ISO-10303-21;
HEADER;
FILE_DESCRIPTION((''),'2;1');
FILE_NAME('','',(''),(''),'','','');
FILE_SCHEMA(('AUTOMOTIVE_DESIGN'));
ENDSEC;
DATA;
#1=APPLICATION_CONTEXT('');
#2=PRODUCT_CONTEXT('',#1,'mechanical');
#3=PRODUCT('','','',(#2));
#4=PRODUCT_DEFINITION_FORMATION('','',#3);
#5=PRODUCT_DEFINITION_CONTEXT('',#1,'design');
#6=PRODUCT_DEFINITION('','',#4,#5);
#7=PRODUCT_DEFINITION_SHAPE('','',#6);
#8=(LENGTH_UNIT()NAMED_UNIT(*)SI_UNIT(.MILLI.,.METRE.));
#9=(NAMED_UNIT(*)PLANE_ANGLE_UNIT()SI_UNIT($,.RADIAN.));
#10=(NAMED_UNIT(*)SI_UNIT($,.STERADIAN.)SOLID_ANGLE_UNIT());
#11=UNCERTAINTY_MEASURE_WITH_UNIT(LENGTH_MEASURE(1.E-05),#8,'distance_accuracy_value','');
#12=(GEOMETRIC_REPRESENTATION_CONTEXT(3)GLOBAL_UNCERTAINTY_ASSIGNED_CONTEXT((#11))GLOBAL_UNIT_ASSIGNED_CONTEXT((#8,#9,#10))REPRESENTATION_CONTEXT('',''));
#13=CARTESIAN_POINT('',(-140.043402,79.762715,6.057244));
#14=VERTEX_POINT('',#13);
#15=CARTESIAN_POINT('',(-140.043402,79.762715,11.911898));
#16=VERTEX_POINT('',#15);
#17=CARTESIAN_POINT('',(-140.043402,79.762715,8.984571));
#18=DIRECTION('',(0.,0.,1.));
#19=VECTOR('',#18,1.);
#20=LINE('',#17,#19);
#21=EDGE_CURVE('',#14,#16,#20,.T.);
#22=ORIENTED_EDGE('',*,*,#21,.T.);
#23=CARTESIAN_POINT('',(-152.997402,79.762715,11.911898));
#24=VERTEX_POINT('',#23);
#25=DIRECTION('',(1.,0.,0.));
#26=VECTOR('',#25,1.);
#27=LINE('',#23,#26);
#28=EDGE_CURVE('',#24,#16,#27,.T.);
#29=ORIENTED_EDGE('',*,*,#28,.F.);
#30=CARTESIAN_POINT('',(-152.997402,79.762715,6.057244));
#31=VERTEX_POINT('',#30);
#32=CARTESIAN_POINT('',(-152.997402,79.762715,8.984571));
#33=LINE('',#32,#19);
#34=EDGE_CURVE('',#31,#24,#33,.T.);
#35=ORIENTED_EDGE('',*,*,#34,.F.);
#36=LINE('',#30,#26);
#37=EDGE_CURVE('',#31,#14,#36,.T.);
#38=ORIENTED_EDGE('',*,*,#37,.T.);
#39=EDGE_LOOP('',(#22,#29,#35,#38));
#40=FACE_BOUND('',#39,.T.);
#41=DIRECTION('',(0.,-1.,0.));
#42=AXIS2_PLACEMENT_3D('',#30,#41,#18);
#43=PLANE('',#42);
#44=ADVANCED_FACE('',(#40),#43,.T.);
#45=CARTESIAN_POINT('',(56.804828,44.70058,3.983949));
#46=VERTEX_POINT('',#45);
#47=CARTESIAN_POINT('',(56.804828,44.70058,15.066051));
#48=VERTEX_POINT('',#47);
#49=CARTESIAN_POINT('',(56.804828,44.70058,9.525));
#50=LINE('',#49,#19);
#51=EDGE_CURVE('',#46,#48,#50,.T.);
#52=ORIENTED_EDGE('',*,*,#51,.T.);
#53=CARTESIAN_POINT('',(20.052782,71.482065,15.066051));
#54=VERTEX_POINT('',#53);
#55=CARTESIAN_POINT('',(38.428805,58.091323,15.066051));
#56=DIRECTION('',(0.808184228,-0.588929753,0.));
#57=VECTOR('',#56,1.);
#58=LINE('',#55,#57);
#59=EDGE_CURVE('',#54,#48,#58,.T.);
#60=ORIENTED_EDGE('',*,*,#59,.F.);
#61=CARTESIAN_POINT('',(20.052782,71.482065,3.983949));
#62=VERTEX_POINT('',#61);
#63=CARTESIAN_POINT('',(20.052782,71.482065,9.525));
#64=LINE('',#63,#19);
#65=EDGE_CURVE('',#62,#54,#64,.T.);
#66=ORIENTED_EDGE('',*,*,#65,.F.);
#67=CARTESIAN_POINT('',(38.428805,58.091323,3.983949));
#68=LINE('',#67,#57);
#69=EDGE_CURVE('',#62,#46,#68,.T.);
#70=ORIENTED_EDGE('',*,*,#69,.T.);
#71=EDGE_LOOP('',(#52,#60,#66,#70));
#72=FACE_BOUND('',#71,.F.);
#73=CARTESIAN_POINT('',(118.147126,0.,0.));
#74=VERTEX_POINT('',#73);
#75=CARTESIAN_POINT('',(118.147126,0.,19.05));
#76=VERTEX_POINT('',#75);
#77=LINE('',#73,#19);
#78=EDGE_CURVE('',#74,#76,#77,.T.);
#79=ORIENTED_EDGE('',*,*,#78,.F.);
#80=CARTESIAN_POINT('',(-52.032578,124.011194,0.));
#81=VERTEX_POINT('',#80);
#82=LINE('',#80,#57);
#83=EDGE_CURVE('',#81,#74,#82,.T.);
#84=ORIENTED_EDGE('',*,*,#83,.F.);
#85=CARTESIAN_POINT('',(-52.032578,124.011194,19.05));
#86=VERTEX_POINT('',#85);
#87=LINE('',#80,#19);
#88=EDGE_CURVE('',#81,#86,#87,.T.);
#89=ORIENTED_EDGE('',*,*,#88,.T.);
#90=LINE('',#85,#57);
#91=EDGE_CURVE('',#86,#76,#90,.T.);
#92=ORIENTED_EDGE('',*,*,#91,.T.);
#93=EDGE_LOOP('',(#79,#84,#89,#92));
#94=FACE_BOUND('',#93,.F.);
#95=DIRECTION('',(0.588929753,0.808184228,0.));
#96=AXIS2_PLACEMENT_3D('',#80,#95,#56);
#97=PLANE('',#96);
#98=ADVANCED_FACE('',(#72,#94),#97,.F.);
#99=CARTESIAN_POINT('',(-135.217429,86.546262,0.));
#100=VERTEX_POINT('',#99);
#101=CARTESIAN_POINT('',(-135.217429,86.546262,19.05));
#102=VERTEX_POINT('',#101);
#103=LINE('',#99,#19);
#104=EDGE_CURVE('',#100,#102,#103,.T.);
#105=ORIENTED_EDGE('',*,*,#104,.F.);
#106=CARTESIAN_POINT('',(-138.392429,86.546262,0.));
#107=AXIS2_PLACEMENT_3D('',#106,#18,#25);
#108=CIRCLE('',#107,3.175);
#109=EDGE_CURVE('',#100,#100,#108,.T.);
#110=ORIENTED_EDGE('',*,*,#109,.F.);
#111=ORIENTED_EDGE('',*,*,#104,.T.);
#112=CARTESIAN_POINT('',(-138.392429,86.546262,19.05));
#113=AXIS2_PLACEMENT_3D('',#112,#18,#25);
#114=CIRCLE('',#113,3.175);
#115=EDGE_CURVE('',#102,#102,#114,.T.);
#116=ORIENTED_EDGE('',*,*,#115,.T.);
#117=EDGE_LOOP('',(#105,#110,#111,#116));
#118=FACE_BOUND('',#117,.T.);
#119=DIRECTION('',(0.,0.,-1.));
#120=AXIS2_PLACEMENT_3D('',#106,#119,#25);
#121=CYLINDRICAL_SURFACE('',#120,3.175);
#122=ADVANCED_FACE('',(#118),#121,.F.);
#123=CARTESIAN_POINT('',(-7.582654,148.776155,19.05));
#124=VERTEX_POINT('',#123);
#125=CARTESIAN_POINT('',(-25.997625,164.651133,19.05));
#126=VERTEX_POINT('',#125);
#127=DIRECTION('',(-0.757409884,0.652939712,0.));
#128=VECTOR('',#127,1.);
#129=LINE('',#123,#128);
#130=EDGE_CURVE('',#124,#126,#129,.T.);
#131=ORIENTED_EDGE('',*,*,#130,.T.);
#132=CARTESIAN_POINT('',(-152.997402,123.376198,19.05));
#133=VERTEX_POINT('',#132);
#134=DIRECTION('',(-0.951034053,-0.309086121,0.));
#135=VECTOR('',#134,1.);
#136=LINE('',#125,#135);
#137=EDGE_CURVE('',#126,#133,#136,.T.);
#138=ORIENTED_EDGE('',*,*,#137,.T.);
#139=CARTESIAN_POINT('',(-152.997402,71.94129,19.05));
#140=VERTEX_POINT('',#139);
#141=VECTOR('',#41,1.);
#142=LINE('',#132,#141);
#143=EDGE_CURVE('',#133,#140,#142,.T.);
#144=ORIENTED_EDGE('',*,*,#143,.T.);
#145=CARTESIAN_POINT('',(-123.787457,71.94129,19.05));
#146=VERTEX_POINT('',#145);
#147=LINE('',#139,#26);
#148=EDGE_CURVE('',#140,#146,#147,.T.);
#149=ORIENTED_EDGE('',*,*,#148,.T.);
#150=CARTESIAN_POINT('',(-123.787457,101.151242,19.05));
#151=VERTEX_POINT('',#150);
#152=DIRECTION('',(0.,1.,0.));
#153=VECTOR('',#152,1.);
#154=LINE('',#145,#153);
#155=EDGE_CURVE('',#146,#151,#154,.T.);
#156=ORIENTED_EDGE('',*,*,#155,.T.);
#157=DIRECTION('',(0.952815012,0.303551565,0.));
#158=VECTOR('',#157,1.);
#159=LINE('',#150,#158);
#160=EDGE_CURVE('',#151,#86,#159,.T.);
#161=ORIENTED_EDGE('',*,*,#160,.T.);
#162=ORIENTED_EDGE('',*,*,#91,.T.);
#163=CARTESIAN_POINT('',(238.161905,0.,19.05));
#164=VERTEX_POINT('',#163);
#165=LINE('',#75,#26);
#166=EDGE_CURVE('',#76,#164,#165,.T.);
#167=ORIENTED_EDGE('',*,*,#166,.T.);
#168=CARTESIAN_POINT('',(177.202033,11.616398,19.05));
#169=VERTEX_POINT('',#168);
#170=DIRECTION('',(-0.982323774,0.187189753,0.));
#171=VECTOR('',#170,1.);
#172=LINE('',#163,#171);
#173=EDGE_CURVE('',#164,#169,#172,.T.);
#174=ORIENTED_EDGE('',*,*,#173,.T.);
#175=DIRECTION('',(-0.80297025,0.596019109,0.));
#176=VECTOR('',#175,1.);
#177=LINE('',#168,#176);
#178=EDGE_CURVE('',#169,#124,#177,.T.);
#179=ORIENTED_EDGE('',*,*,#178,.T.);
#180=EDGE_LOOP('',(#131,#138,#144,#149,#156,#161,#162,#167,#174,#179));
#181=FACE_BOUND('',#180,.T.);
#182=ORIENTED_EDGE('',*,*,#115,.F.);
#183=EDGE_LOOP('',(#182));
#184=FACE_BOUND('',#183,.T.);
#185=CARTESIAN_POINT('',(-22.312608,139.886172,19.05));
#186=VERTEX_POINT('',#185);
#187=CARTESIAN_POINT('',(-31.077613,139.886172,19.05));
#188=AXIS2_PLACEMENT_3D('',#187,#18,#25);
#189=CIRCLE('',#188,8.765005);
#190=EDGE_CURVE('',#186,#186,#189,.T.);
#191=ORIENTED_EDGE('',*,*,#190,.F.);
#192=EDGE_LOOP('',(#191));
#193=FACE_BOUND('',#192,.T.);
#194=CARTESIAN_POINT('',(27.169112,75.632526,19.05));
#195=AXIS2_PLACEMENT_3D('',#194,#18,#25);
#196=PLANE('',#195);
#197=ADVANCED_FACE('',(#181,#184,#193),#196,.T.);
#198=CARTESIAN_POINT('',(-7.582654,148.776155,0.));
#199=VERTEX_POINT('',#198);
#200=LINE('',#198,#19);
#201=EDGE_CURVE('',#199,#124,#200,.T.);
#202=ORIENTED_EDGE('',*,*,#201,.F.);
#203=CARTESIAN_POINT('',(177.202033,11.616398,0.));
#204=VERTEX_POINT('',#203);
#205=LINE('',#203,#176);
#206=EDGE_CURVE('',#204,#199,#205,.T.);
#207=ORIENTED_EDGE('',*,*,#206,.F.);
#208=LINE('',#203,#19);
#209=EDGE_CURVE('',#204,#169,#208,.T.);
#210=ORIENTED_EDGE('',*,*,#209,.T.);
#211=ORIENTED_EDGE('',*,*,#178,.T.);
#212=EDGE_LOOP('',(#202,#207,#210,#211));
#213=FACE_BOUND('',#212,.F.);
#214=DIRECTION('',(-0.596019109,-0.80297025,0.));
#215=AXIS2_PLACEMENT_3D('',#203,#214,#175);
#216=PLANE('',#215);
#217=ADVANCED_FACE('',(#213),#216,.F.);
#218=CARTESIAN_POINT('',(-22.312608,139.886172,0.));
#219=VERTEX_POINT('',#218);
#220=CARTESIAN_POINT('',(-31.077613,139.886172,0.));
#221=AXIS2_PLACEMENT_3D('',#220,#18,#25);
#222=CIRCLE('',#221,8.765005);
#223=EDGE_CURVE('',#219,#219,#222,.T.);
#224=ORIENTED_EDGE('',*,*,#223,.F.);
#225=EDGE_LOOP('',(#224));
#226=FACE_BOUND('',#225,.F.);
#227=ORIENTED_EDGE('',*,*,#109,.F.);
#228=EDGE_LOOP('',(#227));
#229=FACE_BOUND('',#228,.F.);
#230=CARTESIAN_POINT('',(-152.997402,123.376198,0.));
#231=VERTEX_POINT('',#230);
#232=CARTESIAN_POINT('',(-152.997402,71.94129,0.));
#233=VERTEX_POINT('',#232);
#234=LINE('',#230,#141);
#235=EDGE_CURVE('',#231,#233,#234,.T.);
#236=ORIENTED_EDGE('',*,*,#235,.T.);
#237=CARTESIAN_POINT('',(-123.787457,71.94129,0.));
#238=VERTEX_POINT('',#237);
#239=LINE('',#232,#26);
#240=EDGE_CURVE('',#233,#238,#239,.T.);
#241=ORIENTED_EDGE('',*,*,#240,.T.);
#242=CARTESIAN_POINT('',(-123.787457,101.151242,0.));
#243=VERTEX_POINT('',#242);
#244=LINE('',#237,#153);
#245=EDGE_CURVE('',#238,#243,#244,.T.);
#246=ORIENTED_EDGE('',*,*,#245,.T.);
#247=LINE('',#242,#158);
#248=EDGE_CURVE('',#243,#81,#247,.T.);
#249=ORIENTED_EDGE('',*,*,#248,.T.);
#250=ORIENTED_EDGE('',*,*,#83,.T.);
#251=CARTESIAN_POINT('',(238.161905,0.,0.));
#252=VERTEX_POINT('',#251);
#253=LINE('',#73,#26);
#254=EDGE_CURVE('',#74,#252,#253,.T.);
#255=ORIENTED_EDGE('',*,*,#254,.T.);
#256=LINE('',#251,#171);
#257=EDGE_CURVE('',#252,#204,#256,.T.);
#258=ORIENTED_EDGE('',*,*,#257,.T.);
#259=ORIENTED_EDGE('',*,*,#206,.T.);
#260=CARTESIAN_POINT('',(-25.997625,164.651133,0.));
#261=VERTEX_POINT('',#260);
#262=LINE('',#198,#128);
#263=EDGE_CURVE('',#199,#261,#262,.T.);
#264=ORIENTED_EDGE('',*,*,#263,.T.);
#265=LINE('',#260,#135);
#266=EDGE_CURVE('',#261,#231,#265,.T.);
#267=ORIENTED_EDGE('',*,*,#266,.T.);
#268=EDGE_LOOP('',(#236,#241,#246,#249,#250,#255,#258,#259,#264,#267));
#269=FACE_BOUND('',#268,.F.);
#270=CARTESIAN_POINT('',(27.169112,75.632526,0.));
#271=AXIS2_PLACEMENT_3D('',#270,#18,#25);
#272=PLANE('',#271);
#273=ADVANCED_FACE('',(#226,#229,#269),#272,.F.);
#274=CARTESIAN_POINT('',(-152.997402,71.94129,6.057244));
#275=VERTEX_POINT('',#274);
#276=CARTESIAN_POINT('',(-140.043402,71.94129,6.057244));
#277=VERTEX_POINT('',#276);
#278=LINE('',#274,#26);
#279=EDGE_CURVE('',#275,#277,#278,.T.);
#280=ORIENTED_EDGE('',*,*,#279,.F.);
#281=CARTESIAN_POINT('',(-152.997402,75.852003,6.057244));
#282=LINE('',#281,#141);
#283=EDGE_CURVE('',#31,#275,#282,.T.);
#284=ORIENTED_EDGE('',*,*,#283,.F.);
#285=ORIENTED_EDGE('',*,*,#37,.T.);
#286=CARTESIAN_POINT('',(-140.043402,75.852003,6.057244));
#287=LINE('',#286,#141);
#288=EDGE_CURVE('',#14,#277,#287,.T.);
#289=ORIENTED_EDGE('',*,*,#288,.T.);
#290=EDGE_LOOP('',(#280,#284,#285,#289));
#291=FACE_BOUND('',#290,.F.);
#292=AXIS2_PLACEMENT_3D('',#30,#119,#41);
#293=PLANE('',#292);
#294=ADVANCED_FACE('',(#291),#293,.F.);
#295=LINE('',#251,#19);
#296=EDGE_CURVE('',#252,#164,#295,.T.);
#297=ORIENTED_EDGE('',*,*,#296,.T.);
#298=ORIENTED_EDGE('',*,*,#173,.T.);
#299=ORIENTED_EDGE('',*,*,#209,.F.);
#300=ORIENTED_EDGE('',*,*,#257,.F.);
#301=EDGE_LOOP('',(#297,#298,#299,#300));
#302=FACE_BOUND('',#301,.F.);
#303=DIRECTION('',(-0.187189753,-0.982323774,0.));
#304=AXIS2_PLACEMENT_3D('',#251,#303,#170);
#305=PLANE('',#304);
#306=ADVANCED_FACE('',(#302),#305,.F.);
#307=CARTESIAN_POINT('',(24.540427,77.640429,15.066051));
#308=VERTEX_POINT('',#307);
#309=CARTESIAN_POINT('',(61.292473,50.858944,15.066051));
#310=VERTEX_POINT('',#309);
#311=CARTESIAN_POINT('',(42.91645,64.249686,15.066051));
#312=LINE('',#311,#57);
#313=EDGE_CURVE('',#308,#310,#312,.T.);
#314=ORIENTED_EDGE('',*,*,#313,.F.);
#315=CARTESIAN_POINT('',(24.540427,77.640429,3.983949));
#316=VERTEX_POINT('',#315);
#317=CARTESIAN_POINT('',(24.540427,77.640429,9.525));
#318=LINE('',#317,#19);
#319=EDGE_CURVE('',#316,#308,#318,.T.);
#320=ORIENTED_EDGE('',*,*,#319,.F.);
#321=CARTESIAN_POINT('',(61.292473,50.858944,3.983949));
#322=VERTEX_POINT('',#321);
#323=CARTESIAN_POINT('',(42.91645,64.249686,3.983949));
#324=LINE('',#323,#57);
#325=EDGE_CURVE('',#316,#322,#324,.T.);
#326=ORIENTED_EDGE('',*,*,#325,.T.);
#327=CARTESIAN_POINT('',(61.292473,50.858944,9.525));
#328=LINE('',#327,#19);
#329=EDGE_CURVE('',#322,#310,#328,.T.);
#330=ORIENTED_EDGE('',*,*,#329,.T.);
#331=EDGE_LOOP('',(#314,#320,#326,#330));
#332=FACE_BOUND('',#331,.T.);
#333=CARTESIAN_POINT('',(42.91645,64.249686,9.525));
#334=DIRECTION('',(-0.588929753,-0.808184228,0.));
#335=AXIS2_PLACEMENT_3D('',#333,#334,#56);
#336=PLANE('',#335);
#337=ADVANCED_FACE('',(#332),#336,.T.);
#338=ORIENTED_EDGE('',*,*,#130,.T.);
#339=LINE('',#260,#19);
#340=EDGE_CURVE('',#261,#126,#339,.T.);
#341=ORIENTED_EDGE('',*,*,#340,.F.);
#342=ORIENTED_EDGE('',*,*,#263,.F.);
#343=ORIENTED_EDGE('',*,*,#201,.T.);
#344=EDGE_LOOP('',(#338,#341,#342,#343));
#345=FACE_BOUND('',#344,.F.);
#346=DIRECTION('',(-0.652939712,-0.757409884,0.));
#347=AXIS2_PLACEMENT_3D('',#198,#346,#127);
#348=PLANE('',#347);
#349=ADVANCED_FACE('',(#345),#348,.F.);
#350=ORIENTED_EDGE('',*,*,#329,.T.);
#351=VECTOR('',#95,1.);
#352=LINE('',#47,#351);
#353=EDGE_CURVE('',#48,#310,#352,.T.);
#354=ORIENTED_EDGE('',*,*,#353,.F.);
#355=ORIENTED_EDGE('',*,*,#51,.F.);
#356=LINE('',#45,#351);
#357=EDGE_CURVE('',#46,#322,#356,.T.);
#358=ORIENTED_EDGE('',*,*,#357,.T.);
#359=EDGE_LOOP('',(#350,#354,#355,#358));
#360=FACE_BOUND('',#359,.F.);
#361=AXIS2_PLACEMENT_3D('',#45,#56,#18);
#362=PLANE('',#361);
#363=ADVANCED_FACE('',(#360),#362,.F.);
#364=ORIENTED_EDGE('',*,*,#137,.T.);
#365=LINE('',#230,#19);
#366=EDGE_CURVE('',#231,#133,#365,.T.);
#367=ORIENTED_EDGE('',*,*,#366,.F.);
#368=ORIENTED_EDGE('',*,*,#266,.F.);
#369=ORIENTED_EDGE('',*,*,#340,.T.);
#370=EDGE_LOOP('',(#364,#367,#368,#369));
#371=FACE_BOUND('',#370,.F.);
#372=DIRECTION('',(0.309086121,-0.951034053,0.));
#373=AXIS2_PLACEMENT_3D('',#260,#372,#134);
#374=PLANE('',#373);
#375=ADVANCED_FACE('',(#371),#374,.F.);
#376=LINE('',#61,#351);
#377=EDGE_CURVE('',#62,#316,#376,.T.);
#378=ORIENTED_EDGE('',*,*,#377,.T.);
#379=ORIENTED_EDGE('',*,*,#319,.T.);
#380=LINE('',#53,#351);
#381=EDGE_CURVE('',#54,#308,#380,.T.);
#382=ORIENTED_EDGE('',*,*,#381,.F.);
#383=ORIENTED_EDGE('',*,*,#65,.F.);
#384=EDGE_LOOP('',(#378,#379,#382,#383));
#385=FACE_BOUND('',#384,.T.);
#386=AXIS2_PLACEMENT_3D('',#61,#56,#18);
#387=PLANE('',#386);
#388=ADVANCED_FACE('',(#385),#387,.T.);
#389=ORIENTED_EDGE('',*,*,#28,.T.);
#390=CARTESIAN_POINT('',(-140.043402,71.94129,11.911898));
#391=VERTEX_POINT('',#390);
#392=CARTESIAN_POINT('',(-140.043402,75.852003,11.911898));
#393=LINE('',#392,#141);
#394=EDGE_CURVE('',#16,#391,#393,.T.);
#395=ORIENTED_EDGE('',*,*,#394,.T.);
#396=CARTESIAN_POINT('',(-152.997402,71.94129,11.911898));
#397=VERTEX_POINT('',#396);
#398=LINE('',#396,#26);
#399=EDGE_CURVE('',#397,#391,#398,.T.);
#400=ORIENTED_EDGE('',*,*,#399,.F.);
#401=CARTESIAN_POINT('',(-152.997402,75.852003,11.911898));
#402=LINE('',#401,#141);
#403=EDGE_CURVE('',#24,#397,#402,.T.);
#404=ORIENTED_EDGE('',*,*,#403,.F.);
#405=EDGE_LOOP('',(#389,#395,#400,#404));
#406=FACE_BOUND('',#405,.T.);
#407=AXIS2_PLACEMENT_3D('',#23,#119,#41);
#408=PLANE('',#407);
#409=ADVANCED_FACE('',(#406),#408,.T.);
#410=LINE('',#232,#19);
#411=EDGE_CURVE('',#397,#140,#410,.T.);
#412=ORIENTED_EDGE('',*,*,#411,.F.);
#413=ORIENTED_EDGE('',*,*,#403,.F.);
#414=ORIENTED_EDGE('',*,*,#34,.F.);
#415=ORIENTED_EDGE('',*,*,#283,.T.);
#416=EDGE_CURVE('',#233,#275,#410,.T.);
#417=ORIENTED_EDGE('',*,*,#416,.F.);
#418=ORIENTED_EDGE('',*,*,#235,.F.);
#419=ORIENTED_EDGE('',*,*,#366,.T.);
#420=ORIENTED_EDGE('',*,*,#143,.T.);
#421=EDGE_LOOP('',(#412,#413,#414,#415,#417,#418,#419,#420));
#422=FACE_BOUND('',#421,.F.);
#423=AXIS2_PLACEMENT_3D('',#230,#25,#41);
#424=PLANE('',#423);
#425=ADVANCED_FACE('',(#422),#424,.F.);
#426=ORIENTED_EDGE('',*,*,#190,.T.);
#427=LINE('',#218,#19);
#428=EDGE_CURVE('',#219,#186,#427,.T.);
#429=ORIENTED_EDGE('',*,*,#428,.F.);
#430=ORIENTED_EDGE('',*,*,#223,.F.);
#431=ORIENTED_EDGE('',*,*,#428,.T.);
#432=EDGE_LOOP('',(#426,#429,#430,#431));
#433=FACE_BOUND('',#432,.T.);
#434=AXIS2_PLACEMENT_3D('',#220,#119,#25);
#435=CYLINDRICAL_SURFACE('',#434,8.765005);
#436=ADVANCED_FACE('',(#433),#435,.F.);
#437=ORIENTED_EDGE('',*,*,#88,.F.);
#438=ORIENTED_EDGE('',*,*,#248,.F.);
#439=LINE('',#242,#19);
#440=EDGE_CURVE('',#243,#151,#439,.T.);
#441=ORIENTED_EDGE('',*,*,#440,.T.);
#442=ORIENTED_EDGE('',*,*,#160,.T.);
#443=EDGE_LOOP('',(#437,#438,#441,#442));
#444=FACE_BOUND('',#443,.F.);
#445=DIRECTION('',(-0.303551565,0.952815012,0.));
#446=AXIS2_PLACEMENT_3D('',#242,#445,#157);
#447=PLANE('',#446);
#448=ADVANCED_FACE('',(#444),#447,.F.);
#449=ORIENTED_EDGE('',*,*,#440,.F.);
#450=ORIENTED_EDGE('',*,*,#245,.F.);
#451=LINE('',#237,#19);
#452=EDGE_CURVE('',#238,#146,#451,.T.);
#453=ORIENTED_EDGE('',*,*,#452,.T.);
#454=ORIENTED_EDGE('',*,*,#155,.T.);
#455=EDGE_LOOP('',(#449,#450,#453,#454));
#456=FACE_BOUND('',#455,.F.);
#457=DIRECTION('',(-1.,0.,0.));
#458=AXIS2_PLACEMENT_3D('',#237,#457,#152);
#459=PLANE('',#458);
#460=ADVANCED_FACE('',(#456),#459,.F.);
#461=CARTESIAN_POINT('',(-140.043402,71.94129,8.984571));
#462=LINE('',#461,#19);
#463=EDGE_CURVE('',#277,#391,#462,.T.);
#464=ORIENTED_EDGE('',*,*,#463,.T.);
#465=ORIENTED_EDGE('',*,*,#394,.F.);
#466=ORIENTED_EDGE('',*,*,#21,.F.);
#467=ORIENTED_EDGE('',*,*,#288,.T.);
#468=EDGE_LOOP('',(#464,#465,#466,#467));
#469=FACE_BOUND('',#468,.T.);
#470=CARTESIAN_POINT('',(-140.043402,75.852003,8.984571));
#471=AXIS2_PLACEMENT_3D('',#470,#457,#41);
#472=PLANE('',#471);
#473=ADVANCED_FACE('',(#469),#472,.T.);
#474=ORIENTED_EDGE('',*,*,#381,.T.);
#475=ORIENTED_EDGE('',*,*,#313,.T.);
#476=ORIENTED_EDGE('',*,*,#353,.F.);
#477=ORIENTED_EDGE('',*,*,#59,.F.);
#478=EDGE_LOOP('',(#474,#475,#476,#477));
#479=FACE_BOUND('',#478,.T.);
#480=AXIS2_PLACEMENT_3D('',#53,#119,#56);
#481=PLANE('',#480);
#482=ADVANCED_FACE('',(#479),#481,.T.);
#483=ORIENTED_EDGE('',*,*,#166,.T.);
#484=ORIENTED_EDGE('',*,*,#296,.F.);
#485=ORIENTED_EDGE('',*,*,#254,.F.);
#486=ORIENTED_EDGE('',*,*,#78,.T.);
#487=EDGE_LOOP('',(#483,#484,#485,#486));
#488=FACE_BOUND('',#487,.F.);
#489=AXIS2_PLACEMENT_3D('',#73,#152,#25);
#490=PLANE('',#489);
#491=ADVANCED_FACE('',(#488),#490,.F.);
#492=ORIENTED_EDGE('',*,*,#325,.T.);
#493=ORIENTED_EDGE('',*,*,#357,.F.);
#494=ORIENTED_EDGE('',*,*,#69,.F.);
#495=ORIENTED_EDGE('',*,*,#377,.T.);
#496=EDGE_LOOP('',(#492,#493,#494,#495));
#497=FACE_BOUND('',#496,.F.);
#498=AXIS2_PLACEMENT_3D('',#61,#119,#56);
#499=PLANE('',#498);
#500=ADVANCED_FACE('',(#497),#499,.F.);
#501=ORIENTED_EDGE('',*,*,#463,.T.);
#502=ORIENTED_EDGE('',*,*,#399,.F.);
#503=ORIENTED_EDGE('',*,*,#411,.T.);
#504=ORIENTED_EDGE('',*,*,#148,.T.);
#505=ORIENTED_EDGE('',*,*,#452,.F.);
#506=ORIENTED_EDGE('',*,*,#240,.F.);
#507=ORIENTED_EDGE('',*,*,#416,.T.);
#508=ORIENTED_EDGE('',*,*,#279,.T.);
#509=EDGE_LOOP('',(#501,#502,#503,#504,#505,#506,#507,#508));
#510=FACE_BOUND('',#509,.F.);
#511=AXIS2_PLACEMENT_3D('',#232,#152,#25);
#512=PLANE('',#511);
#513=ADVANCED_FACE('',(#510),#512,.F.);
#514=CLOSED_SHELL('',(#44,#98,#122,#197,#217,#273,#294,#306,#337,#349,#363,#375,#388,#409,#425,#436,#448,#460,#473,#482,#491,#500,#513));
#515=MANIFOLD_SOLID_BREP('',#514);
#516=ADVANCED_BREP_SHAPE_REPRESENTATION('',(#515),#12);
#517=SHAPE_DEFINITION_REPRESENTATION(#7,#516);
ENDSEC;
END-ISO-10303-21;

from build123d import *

# Parameters (mm, degrees)
F0_R     = 3.175
F0_R_2   = 8.7650051074
F1_DEPTH = 19.05
F2_W     = 45.4748366028
F2_H     = 11.0821020789
F3_DEPTH = 7.62
F4_W     = 7.8214257956
F4_H     = 5.8546541259
F5_DEPTH = 12.954


with BuildPart() as f1:
    # F0 (on Top) → F1 (new body)
    with BuildSketch(Plane.XY):
        Polygon((177.2020328314, 11.616397533), (-7.5826541561, 148.7761547738), (-25.9976245138, 164.651133018), (-152.9974015162, 123.3761982856), (-152.9974015162, 71.9412896602), (-123.787456631, 71.9412896602), (-123.787456631, 101.1512417973), (-52.0325784639, 124.0111939344), (118.1471256564, 0), (238.161905197, 0), align=None)
        with Locations((-138.3924290736, 86.5462621028)):
            Circle(F0_R, mode=Mode.SUBTRACT)
        with Locations((-31.0776132732, 139.8861721785)):
            Circle(F0_R_2, mode=Mode.SUBTRACT)
    extrude(amount=F1_DEPTH)

    # F2 (on face) → F3 (cut)
    with BuildSketch(Plane(origin=(40.9779427168, 56.2337475009, 0), x_dir=(0.8081842281, -0.5889297526, 0), z_dir=(-0.5889297526, -0.8081842281, 0))):
        with Locations((-3.1541539356, 9.5249998849)):
            Rectangle(F2_W, F2_H)
    extrude(amount=-F3_DEPTH, mode=Mode.SUBTRACT)

    # F4 (on face) → F5 (cut)
    with BuildSketch(Plane(origin=(-152.9974015162, 0, 0), x_dir=(0, -1, 0), z_dir=(-1, 0, 0))):
        with Locations((-75.852002558, 8.9845708571)):
            Rectangle(F4_W, F4_H)
    extrude(amount=-F5_DEPTH, mode=Mode.SUBTRACT)


solid = f1.part
